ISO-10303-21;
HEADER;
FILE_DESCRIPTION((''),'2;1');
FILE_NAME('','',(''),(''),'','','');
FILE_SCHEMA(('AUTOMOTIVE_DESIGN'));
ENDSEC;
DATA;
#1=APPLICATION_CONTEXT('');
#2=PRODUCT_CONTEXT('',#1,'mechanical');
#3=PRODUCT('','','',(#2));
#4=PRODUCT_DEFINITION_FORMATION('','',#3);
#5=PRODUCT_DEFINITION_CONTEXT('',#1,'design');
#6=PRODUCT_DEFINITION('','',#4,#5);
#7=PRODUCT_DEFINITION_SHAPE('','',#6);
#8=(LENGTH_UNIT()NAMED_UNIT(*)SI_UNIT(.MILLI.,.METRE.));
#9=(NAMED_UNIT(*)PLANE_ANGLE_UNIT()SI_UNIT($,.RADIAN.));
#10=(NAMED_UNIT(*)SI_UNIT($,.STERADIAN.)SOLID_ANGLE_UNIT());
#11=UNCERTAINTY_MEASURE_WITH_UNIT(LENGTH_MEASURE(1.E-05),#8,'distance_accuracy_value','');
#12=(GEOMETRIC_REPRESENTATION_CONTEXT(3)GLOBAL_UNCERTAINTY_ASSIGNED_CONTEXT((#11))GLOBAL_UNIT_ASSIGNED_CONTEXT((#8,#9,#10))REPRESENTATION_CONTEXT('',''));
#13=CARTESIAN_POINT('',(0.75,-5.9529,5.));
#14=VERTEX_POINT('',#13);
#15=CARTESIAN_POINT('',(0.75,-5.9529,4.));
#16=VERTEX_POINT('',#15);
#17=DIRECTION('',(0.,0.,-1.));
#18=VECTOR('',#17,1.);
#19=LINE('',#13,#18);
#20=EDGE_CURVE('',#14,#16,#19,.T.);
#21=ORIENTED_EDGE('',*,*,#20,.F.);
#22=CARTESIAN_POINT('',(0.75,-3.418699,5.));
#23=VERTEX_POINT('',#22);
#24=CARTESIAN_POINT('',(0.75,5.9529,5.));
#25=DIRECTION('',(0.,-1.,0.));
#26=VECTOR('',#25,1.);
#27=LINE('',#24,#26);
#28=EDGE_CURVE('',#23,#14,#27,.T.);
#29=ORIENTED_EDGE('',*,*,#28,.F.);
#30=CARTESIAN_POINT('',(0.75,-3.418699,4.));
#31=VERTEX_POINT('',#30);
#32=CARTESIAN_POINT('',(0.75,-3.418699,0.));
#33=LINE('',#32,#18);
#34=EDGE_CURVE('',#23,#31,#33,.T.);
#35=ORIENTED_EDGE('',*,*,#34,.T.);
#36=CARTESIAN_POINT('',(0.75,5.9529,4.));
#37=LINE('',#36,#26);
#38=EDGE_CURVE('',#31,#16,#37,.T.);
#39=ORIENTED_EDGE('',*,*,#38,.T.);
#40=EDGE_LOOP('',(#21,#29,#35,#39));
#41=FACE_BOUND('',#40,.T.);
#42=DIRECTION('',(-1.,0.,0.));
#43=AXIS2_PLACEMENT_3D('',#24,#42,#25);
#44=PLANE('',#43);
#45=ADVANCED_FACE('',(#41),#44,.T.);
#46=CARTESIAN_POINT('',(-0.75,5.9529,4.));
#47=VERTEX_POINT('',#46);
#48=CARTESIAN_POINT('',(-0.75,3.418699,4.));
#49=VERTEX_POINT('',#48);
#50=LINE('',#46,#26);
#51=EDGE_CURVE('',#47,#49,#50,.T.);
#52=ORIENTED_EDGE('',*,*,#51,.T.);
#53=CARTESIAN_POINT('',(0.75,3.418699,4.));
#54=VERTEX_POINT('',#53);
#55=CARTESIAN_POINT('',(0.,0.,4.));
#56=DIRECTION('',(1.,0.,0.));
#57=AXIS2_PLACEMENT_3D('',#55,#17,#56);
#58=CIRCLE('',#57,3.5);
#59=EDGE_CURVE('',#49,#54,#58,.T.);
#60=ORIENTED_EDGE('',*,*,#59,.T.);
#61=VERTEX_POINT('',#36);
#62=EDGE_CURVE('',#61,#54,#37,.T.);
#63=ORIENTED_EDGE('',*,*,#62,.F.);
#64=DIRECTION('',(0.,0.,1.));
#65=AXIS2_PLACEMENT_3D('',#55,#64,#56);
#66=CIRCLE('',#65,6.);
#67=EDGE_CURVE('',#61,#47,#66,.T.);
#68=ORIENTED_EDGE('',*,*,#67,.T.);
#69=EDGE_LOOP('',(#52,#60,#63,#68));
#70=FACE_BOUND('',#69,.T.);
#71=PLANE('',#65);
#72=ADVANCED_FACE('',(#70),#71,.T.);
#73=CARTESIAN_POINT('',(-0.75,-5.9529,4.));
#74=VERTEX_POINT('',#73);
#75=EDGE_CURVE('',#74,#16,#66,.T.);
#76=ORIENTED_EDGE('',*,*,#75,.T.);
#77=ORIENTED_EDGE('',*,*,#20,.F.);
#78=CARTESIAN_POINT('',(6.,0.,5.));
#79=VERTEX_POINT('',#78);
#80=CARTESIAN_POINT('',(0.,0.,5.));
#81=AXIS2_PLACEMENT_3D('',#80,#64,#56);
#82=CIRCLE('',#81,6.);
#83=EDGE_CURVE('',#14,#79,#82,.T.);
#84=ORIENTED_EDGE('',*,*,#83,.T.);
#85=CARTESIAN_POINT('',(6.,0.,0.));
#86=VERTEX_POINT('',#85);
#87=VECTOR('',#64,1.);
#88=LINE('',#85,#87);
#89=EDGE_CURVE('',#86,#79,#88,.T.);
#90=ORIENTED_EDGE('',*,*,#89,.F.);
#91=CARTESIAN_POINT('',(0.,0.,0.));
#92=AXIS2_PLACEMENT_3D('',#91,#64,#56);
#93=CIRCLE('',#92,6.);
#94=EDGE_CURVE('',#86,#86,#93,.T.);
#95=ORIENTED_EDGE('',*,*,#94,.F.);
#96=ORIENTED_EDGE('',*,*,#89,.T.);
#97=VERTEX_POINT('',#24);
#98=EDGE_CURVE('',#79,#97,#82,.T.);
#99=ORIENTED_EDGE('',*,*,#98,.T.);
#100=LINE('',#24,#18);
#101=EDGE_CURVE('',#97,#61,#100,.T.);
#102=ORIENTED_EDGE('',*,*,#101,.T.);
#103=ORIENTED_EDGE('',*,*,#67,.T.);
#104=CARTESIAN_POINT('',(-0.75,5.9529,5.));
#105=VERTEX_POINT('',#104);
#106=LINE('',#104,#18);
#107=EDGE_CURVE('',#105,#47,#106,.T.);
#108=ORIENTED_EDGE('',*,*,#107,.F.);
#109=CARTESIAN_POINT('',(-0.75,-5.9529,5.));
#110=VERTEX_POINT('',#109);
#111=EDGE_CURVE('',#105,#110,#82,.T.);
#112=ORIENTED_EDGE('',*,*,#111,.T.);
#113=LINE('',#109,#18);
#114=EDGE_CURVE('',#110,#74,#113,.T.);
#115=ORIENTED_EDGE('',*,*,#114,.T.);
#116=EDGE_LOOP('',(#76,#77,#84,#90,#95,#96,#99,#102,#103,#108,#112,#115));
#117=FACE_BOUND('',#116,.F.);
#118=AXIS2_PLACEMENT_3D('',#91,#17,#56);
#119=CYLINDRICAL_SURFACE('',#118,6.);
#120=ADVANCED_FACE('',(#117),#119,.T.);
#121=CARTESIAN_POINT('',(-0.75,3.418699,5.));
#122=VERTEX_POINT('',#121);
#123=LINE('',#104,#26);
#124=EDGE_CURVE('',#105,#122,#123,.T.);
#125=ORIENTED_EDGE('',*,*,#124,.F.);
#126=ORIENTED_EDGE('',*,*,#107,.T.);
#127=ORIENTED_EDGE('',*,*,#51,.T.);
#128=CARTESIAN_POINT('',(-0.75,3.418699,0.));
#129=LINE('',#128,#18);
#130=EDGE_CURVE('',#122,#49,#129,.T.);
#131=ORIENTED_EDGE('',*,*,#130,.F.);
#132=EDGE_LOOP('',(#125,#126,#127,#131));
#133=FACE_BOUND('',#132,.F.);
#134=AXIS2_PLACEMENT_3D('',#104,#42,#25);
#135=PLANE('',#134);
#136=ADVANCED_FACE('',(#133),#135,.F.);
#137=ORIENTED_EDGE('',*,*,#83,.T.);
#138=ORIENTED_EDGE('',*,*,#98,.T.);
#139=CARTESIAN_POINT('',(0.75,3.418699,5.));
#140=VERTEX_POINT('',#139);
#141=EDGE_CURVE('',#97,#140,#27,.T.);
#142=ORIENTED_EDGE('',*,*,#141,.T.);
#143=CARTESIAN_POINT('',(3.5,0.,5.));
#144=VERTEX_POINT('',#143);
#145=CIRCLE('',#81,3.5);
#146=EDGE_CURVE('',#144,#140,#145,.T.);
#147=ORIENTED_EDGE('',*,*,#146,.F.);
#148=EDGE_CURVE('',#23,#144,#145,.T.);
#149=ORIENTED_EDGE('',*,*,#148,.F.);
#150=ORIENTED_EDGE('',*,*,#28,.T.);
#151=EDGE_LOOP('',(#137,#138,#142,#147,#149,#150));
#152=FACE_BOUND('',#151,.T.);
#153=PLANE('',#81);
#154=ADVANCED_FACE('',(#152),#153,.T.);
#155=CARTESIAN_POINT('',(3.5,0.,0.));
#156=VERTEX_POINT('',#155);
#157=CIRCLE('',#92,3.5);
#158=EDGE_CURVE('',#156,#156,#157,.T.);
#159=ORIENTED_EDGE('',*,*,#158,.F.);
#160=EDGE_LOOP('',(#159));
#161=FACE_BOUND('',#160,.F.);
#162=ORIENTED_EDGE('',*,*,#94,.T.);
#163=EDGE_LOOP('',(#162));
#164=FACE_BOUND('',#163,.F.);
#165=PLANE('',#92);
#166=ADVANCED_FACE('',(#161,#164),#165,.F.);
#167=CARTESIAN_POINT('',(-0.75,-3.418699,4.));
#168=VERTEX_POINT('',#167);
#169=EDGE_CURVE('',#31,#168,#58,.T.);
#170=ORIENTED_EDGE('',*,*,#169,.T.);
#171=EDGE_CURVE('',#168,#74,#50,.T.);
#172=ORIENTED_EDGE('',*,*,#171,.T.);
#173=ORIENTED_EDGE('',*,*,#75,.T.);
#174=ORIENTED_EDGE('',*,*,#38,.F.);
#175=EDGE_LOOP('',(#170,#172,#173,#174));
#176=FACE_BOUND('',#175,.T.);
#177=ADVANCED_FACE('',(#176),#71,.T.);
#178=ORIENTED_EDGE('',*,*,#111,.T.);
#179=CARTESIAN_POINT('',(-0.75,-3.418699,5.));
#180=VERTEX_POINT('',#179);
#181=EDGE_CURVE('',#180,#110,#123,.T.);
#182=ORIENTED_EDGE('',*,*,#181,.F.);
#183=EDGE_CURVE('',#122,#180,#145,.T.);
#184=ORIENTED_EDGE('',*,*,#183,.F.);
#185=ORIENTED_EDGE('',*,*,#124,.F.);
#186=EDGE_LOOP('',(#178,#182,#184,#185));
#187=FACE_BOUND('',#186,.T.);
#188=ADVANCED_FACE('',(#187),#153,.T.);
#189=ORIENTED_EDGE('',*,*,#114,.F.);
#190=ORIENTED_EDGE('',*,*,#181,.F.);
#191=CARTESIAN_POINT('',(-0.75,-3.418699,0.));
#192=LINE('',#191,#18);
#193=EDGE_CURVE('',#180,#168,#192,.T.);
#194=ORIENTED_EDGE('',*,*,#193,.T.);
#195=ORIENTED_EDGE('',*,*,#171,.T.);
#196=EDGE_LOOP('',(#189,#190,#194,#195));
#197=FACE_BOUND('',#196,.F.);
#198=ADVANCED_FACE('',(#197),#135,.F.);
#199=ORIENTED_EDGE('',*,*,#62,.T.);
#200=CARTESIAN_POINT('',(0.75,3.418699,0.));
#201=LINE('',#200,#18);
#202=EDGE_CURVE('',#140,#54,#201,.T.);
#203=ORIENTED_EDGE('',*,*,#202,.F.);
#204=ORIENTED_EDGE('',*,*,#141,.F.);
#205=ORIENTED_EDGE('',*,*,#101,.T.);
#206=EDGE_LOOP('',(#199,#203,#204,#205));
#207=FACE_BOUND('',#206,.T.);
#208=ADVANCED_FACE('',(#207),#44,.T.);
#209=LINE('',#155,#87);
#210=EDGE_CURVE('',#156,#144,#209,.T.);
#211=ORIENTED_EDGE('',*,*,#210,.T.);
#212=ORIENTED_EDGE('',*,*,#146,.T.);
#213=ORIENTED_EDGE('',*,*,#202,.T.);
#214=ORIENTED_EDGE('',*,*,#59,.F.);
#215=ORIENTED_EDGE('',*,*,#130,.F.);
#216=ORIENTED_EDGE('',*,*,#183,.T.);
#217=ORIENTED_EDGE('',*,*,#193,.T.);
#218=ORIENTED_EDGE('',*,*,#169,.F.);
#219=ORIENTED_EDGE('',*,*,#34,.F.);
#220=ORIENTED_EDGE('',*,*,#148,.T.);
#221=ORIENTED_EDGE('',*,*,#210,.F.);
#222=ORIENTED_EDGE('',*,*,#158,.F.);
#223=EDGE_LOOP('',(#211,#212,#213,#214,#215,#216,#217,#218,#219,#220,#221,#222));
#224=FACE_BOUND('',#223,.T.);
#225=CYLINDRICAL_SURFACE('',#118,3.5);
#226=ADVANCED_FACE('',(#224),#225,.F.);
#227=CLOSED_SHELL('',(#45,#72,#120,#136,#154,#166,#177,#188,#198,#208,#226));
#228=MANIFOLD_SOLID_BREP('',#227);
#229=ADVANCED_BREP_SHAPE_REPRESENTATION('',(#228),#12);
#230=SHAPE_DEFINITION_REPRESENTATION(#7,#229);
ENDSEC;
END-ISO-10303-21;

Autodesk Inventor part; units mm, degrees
ref_plane "YZ Plane" through (0, 0, 0) normal (1, 0, 0) x (0, 1, 0)
ref_plane "XZ Plane" through (0, 0, 0) normal (0, 1, 0) x (-1, 0, 0)
ref_plane "XY Plane" through (0, 0, 0) normal (0, 0, 1) x (1, 0, 0)
sketch "Sketch1" plane through (0, 0, 0) normal (0, 0, 1) x (1, 0, 0)
  circle A0 centre (0, 0) radius 6
  circle A1 centre (0, 0) radius 3.5
  dimension "d0" = 12
  dimension "d1" = 7
extrude "Extrusion1" add sketch "Sketch1" along normal blind 5
thread "Thread1" size "M12x1.75" class "6g" standard "ISO Metric profile" length 10
sketch "Sketch2" plane through (0, 0, 5) normal (0, 0, 1) x (1, 0, 0)
  circle A0 centre (0, 0) radius 6 projected
  line L0 (-0.75, 5.9529) -> (-0.75, -5.9529)
  line L1 (0.75, 5.9529) -> (0.75, -5.9529)
  line L2 (0, 0) -> (0, 6) construction
  dimension "d6" = 1.5
extrude "Extrusion2" cut sketch "Sketch2" against normal blind 1 contours L1 A0 L0
properties part number "37"
